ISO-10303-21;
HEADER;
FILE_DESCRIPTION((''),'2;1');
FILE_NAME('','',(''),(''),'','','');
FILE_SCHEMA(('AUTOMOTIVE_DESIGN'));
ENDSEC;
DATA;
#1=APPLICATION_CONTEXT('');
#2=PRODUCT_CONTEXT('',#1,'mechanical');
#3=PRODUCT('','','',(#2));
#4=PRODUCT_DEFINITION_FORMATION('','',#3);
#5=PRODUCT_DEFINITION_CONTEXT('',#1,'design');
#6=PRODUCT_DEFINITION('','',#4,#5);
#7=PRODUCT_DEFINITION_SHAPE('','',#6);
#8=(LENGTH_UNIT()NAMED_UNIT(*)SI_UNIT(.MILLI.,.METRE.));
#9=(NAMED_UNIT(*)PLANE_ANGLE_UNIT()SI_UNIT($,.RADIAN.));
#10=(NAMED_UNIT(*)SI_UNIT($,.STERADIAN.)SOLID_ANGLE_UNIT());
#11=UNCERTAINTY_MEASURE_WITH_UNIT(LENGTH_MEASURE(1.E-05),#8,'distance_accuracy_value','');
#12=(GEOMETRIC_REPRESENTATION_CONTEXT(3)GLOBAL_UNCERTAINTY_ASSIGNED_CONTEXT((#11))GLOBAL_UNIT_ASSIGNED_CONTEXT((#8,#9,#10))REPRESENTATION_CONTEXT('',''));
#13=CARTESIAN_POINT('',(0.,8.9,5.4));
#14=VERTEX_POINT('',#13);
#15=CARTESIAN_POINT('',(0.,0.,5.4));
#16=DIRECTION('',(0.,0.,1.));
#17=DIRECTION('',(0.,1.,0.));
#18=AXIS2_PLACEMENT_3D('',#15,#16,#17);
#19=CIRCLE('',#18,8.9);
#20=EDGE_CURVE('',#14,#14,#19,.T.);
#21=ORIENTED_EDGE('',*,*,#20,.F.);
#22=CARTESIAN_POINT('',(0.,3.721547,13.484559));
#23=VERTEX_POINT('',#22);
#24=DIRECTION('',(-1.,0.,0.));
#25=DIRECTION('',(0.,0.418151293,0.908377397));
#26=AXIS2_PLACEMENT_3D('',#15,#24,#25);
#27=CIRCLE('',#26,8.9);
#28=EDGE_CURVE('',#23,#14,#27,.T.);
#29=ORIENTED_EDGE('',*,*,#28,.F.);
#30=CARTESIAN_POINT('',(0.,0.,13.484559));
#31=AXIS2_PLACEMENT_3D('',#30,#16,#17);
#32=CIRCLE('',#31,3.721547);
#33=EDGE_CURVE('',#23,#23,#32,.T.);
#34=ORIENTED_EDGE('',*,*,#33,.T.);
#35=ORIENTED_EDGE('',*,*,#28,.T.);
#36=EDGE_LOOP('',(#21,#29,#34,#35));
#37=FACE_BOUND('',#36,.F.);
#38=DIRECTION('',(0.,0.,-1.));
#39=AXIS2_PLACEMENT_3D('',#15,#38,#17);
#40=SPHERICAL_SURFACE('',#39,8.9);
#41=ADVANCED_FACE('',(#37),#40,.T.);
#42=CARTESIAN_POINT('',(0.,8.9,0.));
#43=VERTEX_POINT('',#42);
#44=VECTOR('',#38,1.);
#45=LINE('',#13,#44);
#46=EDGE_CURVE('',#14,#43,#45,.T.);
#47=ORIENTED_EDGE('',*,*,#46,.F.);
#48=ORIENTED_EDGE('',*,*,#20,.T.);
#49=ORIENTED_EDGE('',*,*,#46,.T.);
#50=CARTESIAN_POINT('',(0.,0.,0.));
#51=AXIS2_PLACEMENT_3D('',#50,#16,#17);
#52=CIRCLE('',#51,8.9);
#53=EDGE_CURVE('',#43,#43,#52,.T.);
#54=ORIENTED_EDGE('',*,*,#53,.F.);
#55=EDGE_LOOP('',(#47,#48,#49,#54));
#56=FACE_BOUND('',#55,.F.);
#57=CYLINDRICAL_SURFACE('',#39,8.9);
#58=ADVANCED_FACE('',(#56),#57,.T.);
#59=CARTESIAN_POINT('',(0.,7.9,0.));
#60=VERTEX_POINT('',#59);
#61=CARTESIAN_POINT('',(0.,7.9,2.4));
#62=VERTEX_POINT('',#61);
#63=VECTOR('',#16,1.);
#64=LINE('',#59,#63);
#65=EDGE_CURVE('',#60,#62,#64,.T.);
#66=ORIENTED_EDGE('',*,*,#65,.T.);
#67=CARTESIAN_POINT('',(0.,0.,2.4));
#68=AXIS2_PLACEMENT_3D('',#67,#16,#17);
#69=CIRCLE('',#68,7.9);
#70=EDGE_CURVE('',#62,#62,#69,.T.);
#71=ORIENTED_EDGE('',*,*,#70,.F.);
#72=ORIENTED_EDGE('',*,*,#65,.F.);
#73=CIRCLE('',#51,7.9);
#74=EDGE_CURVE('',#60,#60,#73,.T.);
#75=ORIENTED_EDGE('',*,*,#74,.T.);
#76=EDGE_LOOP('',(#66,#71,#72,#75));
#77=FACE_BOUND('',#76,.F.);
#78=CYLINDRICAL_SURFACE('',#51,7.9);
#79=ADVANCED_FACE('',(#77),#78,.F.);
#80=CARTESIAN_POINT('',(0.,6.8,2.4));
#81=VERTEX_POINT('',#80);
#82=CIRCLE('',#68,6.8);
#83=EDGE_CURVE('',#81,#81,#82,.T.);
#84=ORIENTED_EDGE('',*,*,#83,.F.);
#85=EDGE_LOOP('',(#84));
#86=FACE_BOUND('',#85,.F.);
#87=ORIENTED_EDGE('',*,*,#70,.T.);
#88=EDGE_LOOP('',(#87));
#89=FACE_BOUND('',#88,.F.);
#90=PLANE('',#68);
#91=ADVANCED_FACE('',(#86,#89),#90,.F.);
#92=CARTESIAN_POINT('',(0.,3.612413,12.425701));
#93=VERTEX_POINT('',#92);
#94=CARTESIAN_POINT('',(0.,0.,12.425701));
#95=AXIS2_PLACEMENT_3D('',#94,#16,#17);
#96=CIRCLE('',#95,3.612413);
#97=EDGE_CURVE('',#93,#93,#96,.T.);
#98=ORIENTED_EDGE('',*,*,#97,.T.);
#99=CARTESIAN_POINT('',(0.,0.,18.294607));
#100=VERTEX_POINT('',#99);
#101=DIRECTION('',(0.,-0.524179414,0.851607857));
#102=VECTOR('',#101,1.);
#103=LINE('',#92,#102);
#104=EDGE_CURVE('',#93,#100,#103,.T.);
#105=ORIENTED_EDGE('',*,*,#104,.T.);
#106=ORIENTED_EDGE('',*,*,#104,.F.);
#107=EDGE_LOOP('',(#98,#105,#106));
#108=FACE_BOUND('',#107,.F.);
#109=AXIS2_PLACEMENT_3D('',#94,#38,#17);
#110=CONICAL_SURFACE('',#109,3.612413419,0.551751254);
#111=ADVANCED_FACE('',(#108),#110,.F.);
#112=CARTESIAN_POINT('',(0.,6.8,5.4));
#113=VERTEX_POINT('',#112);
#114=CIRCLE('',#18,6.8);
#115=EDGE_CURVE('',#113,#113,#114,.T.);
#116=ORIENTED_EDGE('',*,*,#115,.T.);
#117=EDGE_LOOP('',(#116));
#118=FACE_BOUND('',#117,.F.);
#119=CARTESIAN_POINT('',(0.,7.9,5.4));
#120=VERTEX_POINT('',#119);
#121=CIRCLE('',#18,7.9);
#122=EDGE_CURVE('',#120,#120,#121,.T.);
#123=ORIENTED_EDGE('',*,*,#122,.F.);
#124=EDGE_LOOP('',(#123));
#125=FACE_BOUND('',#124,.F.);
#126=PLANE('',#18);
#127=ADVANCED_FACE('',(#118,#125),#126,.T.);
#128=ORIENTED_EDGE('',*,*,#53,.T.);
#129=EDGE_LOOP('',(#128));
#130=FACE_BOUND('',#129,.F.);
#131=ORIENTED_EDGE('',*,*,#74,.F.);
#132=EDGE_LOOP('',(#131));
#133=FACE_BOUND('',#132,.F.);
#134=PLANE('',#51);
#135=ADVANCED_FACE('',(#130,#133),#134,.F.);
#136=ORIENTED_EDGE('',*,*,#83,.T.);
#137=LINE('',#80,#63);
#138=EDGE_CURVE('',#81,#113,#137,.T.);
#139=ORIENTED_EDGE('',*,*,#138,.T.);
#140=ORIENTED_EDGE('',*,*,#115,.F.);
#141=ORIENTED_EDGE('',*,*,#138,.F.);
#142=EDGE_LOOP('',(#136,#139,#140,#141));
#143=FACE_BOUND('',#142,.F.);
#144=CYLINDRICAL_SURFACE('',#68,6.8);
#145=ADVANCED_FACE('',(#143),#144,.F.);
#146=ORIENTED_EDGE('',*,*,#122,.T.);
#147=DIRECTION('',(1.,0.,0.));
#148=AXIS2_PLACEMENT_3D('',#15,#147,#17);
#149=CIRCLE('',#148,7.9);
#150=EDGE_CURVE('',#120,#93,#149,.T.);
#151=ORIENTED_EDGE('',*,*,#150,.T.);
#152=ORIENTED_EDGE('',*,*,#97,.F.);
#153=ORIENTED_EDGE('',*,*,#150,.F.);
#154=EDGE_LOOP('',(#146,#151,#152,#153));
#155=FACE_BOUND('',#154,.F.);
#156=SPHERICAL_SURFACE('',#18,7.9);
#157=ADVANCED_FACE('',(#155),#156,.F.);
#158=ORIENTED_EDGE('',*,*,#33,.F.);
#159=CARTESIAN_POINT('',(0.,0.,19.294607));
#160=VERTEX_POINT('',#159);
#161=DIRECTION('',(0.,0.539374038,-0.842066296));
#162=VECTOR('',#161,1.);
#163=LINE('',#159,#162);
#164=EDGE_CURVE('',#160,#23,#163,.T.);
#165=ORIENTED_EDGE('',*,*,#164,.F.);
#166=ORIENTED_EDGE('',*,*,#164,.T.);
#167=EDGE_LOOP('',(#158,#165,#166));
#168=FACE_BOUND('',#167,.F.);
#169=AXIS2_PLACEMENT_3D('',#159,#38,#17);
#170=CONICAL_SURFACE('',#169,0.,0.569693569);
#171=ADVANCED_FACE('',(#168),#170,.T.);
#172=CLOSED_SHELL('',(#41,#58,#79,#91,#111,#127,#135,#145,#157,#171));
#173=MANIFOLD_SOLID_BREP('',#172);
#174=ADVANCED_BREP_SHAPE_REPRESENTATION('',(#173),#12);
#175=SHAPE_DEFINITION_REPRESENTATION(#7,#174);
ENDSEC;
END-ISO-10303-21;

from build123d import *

# Parameters (mm, degrees)
F3_ANGLE = 90


with BuildPart() as f1:
    # F0 (on Top) → F1 (revolve)
    with BuildSketch(Plane.XY):
        with BuildLine():
            Line((0, 8.9), (0, 7.9))
            Line((0, 7.9), (2.4, 7.9))
            Line((2.4, 7.9), (2.4, 6.8))
            Line((2.4, 6.8), (5.4, 6.8))
            Line((5.4, 6.8), (5.4, 7.9))
            ThreePointArc((5.4, 7.9), (9.5153331571, 6.7434437053), (12.4257006262, 3.6124134192))
            Line((12.4257006262, 3.6124134192), (18.2946065217, 0))
            Line((18.2946065217, 0), (19.2946065217, 0))
            Line((19.2946065217, 0), (13.4845588364, 3.7215465093))
            ThreePointArc((13.4845588364, 3.7215465093), (10.2004289426, 7.494390033), (5.4, 8.9))
            Line((5.4, 8.9), (0, 8.9))
        make_face()
    revolve(axis=Axis((12.5827532146, 0, 0), (1, 0, 0)))


with BuildPart() as f1_1:
    # F3: moved
    add(f1.part.rotate(Axis((0, 0, 0), (0, -1, 0)), F3_ANGLE))


solid = f1_1.part
